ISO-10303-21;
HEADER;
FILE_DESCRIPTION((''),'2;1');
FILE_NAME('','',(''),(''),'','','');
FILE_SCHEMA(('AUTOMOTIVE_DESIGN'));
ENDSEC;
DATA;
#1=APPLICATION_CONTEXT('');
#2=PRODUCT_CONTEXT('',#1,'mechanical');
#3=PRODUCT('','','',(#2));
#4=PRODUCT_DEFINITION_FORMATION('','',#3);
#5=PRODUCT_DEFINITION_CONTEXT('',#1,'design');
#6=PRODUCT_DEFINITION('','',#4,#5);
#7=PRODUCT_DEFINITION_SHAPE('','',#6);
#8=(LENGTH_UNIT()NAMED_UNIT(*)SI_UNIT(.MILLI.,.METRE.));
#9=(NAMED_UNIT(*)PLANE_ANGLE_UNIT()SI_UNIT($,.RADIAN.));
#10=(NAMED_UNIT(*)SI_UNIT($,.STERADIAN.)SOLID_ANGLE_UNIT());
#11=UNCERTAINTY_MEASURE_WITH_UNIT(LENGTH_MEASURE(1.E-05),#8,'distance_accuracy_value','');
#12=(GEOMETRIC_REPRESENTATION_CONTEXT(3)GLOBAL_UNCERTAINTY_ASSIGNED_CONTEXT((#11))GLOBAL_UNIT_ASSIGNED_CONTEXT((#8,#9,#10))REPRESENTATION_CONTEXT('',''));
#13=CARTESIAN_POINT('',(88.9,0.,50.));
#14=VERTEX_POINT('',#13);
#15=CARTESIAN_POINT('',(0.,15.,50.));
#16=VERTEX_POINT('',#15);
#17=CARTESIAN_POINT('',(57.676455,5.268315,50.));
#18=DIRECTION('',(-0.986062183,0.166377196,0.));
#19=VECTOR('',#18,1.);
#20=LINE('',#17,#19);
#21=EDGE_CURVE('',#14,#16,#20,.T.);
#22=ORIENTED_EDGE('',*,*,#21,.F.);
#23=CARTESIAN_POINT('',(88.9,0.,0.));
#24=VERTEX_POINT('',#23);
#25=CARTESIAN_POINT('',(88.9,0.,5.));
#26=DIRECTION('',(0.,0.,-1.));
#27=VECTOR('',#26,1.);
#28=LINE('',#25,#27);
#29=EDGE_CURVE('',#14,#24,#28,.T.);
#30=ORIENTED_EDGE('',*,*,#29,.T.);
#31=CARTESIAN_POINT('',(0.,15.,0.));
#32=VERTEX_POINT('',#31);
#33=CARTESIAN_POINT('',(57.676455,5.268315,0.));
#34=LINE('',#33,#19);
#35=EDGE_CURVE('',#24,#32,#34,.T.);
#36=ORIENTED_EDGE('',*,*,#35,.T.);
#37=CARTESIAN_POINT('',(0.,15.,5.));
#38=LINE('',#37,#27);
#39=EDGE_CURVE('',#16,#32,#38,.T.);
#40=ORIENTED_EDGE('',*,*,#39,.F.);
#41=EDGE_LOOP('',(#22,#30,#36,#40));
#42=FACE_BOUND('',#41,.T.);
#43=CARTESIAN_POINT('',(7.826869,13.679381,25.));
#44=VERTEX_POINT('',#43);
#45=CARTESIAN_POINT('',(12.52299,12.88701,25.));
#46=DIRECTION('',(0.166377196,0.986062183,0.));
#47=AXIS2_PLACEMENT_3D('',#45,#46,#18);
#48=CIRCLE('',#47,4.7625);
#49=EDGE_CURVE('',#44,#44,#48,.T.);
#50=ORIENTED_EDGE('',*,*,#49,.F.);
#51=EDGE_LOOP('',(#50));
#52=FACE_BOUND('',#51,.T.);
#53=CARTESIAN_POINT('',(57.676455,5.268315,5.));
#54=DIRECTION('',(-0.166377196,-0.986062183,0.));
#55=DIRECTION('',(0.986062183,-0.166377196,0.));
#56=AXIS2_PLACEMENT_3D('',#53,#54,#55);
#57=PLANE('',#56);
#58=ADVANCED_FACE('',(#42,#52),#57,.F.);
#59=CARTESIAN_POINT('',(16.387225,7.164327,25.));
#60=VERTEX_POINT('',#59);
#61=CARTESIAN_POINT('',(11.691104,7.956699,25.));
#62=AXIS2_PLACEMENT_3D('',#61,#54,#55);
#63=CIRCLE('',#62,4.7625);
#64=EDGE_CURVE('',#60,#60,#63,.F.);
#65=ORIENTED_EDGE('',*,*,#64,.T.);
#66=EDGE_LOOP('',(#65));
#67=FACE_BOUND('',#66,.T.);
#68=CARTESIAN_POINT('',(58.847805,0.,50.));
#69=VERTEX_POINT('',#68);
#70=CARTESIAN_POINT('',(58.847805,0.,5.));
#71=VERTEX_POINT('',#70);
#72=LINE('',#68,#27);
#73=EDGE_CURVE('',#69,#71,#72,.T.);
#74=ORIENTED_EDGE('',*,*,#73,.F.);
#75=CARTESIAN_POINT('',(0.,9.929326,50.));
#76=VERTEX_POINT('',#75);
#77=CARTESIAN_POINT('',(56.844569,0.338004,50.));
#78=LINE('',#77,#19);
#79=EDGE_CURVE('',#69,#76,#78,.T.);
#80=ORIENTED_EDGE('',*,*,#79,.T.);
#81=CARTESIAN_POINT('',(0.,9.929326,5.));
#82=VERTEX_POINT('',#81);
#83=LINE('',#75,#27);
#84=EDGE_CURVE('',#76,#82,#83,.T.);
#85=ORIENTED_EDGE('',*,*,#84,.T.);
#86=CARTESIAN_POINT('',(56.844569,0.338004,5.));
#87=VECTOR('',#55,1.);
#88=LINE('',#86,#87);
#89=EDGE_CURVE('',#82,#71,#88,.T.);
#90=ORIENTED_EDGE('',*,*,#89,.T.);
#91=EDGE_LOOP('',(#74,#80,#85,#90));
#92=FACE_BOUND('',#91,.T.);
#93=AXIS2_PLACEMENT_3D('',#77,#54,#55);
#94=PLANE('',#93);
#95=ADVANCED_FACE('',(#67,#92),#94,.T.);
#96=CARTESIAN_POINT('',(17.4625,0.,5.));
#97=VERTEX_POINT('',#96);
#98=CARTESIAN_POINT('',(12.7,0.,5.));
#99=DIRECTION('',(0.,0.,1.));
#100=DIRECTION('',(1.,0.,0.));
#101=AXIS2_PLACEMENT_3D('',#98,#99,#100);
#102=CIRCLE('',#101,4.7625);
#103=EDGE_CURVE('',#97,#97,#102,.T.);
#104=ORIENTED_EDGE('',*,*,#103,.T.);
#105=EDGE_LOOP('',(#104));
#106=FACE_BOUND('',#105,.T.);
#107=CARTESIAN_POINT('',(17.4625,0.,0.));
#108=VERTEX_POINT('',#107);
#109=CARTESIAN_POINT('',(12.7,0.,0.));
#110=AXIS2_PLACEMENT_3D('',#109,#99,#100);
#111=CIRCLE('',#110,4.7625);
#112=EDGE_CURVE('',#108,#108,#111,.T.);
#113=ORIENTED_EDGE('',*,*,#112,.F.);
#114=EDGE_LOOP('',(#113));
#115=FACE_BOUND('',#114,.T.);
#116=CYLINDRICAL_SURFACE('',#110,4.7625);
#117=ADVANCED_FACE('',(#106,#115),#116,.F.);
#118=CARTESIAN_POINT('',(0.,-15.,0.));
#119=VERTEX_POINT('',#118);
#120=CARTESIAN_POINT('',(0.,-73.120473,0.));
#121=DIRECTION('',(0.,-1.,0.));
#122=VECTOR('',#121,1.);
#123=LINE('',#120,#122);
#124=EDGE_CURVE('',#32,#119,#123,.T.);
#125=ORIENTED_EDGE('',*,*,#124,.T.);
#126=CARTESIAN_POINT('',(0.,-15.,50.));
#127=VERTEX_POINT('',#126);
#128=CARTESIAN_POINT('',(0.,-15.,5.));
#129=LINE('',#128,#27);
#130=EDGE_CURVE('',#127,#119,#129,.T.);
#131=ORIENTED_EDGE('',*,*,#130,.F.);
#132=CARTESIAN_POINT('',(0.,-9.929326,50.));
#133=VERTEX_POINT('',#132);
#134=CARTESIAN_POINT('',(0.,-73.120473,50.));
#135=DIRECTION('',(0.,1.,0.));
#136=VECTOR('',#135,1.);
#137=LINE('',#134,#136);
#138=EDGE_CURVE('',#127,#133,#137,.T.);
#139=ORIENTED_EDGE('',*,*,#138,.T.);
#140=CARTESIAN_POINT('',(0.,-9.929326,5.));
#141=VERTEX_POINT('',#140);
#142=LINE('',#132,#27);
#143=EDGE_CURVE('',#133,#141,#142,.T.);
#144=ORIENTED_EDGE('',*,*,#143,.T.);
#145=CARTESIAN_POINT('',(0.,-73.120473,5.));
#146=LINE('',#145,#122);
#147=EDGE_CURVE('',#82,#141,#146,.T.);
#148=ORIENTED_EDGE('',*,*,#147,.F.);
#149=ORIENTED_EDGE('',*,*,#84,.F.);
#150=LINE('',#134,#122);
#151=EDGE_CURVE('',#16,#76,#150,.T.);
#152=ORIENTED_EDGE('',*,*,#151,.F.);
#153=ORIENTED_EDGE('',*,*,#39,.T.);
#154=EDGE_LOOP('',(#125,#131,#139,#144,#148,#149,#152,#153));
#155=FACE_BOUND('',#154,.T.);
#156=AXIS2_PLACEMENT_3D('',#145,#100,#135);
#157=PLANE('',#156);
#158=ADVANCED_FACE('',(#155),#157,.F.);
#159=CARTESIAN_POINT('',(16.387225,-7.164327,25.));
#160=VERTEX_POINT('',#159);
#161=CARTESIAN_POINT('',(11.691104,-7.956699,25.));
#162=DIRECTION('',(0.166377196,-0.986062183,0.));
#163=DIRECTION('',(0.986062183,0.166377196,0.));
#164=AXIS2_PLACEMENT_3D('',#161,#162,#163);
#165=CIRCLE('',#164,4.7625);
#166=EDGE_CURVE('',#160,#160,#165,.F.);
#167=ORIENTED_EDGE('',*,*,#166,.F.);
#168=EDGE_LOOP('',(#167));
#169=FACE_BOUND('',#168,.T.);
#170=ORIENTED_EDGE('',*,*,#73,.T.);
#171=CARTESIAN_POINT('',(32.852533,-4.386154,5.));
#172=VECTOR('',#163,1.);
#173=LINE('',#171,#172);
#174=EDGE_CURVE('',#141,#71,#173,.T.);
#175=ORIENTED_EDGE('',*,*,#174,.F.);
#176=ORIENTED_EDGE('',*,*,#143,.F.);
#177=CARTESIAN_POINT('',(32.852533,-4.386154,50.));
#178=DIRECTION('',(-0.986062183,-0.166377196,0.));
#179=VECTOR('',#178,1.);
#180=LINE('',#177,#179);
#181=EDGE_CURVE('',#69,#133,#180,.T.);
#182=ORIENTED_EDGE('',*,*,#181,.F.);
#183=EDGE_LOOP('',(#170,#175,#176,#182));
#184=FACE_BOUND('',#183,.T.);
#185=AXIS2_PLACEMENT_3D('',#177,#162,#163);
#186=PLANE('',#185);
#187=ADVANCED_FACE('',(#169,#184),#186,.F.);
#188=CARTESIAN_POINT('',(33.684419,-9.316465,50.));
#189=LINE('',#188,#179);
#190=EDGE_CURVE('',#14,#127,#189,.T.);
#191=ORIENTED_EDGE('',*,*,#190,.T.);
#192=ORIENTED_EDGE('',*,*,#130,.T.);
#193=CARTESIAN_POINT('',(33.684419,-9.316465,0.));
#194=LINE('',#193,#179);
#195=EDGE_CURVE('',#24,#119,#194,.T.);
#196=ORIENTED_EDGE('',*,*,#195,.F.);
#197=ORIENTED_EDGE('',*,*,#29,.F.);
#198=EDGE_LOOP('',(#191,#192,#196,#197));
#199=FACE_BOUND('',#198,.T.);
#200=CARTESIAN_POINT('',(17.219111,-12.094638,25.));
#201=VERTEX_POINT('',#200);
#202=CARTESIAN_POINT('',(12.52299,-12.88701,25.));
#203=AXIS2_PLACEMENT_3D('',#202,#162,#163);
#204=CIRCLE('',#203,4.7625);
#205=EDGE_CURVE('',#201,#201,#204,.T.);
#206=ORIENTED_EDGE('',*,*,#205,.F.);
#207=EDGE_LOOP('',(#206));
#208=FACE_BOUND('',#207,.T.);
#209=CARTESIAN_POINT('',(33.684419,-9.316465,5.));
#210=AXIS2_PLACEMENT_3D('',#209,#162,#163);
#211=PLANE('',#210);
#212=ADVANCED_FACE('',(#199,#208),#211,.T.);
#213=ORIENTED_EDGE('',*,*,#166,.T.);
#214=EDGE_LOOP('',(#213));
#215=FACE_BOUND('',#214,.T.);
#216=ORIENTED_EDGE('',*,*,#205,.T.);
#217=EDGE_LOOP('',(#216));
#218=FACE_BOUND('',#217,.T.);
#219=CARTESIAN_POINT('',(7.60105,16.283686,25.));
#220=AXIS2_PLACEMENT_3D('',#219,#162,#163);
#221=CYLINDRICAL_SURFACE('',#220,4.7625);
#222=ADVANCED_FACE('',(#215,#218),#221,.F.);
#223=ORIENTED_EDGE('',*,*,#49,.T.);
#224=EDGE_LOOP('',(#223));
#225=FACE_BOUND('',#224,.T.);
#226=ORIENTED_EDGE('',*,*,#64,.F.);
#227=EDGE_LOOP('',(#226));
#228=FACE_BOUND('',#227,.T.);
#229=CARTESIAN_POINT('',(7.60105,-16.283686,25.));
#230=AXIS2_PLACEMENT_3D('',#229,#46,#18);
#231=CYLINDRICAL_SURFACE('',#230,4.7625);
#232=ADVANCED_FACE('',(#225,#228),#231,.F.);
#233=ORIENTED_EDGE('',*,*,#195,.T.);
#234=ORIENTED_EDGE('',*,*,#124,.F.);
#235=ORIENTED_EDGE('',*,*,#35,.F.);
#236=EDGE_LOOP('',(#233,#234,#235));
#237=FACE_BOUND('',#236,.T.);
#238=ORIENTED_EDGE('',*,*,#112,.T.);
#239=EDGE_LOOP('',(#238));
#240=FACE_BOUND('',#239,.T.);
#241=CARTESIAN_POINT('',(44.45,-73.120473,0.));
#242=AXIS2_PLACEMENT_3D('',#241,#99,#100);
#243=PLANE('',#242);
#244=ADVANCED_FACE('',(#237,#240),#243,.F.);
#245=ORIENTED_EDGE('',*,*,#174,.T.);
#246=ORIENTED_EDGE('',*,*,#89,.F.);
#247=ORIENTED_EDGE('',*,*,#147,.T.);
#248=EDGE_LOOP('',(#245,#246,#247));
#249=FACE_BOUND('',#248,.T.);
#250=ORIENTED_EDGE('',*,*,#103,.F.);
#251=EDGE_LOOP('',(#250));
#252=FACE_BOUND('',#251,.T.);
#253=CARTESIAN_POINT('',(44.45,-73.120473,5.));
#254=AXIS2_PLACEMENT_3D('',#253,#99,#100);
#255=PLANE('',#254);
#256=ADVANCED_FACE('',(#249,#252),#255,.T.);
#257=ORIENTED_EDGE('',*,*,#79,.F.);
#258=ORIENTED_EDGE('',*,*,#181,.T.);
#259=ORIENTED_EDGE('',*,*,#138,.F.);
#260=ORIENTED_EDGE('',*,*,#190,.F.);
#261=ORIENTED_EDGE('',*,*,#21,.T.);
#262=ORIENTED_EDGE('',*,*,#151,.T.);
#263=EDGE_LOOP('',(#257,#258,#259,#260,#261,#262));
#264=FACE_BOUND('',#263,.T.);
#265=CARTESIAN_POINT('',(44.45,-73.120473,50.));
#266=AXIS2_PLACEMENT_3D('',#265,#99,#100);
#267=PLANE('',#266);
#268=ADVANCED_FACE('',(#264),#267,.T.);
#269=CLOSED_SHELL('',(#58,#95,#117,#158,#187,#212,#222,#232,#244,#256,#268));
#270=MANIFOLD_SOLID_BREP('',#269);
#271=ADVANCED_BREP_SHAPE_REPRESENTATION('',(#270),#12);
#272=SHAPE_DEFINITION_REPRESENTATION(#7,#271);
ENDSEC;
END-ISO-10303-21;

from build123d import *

# Parameters (mm, degrees)
EXTRUDE1_DEPTH = 5
EXTRUDE2_DEPTH = 50
SKETCH3_R      = 4.7625
EXTRUDE3_DEPTH = 101.763138101
EXTRUDE4_REACH = 106.149
SKETCH4_R      = 4.7625
EXTRUDE5_REACH = 106.149
SKETCH5_R      = 4.7625


with BuildPart() as part:
    # Sketch1 → Extrude1 (new body)
    with BuildSketch(Plane.XY):
        Polygon((0, -15), (88.9, 0), (0, 15), align=None)
    extrude(amount=EXTRUDE1_DEPTH)

    # Sketch1<4> → Extrude2 (add)
    with BuildSketch(Plane.XY):
        Polygon((0, 9.929325872), (58.847804665, 0), (0, -9.929325872), (0, -15), (88.9, 0), (0, 15), align=None)
    extrude(amount=EXTRUDE2_DEPTH)

    # Sketch3 → Extrude3 (cut, through all)
    with BuildSketch(Plane.XY.offset(5)):
        with Locations((12.7, 0)):
            Circle(SKETCH3_R)
    extrude(amount=-EXTRUDE3_DEPTH, mode=Mode.SUBTRACT)

    # Sketch4 → Extrude4 (cut, up to next)
    with BuildSketch(Plane(origin=(2.460873919, -14.584779429, 0), x_dir=(0.9860621829168484, 0.16637719621769093, 0), z_dir=(0.16637719621769093, -0.9860621829168484, 0)), mode=Mode.PRIVATE) as extrude4_sk1:
        with Locations((10.204342057, 25)):
            Circle(SKETCH4_R)
    extrude4_tool1 = extrude(extrude4_sk1.sketch, amount=-EXTRUDE4_REACH, mode=Mode.PRIVATE) & part.part
    add(extrude4_tool1.solids().sort_by_distance((12.52299, -12.88701, 25))[0], mode=Mode.SUBTRACT)

    # Sketch5 → Extrude5 (cut, up to next)
    with BuildSketch(Plane(origin=(2.460873919, 14.584779429, 0), x_dir=(0.9860621829168484, -0.16637719621769093, 0), z_dir=(0.16637719621769093, 0.9860621829168484, 0)), mode=Mode.PRIVATE) as extrude5_sk1:
        with Locations((10.204342057, -25)):
            Circle(SKETCH5_R)
    extrude5_tool1 = extrude(extrude5_sk1.sketch, amount=-EXTRUDE5_REACH, mode=Mode.PRIVATE) & part.part
    add(extrude5_tool1.solids().sort_by_distance((12.52299, 12.88701, 25))[0], mode=Mode.SUBTRACT)


solid = part.part
